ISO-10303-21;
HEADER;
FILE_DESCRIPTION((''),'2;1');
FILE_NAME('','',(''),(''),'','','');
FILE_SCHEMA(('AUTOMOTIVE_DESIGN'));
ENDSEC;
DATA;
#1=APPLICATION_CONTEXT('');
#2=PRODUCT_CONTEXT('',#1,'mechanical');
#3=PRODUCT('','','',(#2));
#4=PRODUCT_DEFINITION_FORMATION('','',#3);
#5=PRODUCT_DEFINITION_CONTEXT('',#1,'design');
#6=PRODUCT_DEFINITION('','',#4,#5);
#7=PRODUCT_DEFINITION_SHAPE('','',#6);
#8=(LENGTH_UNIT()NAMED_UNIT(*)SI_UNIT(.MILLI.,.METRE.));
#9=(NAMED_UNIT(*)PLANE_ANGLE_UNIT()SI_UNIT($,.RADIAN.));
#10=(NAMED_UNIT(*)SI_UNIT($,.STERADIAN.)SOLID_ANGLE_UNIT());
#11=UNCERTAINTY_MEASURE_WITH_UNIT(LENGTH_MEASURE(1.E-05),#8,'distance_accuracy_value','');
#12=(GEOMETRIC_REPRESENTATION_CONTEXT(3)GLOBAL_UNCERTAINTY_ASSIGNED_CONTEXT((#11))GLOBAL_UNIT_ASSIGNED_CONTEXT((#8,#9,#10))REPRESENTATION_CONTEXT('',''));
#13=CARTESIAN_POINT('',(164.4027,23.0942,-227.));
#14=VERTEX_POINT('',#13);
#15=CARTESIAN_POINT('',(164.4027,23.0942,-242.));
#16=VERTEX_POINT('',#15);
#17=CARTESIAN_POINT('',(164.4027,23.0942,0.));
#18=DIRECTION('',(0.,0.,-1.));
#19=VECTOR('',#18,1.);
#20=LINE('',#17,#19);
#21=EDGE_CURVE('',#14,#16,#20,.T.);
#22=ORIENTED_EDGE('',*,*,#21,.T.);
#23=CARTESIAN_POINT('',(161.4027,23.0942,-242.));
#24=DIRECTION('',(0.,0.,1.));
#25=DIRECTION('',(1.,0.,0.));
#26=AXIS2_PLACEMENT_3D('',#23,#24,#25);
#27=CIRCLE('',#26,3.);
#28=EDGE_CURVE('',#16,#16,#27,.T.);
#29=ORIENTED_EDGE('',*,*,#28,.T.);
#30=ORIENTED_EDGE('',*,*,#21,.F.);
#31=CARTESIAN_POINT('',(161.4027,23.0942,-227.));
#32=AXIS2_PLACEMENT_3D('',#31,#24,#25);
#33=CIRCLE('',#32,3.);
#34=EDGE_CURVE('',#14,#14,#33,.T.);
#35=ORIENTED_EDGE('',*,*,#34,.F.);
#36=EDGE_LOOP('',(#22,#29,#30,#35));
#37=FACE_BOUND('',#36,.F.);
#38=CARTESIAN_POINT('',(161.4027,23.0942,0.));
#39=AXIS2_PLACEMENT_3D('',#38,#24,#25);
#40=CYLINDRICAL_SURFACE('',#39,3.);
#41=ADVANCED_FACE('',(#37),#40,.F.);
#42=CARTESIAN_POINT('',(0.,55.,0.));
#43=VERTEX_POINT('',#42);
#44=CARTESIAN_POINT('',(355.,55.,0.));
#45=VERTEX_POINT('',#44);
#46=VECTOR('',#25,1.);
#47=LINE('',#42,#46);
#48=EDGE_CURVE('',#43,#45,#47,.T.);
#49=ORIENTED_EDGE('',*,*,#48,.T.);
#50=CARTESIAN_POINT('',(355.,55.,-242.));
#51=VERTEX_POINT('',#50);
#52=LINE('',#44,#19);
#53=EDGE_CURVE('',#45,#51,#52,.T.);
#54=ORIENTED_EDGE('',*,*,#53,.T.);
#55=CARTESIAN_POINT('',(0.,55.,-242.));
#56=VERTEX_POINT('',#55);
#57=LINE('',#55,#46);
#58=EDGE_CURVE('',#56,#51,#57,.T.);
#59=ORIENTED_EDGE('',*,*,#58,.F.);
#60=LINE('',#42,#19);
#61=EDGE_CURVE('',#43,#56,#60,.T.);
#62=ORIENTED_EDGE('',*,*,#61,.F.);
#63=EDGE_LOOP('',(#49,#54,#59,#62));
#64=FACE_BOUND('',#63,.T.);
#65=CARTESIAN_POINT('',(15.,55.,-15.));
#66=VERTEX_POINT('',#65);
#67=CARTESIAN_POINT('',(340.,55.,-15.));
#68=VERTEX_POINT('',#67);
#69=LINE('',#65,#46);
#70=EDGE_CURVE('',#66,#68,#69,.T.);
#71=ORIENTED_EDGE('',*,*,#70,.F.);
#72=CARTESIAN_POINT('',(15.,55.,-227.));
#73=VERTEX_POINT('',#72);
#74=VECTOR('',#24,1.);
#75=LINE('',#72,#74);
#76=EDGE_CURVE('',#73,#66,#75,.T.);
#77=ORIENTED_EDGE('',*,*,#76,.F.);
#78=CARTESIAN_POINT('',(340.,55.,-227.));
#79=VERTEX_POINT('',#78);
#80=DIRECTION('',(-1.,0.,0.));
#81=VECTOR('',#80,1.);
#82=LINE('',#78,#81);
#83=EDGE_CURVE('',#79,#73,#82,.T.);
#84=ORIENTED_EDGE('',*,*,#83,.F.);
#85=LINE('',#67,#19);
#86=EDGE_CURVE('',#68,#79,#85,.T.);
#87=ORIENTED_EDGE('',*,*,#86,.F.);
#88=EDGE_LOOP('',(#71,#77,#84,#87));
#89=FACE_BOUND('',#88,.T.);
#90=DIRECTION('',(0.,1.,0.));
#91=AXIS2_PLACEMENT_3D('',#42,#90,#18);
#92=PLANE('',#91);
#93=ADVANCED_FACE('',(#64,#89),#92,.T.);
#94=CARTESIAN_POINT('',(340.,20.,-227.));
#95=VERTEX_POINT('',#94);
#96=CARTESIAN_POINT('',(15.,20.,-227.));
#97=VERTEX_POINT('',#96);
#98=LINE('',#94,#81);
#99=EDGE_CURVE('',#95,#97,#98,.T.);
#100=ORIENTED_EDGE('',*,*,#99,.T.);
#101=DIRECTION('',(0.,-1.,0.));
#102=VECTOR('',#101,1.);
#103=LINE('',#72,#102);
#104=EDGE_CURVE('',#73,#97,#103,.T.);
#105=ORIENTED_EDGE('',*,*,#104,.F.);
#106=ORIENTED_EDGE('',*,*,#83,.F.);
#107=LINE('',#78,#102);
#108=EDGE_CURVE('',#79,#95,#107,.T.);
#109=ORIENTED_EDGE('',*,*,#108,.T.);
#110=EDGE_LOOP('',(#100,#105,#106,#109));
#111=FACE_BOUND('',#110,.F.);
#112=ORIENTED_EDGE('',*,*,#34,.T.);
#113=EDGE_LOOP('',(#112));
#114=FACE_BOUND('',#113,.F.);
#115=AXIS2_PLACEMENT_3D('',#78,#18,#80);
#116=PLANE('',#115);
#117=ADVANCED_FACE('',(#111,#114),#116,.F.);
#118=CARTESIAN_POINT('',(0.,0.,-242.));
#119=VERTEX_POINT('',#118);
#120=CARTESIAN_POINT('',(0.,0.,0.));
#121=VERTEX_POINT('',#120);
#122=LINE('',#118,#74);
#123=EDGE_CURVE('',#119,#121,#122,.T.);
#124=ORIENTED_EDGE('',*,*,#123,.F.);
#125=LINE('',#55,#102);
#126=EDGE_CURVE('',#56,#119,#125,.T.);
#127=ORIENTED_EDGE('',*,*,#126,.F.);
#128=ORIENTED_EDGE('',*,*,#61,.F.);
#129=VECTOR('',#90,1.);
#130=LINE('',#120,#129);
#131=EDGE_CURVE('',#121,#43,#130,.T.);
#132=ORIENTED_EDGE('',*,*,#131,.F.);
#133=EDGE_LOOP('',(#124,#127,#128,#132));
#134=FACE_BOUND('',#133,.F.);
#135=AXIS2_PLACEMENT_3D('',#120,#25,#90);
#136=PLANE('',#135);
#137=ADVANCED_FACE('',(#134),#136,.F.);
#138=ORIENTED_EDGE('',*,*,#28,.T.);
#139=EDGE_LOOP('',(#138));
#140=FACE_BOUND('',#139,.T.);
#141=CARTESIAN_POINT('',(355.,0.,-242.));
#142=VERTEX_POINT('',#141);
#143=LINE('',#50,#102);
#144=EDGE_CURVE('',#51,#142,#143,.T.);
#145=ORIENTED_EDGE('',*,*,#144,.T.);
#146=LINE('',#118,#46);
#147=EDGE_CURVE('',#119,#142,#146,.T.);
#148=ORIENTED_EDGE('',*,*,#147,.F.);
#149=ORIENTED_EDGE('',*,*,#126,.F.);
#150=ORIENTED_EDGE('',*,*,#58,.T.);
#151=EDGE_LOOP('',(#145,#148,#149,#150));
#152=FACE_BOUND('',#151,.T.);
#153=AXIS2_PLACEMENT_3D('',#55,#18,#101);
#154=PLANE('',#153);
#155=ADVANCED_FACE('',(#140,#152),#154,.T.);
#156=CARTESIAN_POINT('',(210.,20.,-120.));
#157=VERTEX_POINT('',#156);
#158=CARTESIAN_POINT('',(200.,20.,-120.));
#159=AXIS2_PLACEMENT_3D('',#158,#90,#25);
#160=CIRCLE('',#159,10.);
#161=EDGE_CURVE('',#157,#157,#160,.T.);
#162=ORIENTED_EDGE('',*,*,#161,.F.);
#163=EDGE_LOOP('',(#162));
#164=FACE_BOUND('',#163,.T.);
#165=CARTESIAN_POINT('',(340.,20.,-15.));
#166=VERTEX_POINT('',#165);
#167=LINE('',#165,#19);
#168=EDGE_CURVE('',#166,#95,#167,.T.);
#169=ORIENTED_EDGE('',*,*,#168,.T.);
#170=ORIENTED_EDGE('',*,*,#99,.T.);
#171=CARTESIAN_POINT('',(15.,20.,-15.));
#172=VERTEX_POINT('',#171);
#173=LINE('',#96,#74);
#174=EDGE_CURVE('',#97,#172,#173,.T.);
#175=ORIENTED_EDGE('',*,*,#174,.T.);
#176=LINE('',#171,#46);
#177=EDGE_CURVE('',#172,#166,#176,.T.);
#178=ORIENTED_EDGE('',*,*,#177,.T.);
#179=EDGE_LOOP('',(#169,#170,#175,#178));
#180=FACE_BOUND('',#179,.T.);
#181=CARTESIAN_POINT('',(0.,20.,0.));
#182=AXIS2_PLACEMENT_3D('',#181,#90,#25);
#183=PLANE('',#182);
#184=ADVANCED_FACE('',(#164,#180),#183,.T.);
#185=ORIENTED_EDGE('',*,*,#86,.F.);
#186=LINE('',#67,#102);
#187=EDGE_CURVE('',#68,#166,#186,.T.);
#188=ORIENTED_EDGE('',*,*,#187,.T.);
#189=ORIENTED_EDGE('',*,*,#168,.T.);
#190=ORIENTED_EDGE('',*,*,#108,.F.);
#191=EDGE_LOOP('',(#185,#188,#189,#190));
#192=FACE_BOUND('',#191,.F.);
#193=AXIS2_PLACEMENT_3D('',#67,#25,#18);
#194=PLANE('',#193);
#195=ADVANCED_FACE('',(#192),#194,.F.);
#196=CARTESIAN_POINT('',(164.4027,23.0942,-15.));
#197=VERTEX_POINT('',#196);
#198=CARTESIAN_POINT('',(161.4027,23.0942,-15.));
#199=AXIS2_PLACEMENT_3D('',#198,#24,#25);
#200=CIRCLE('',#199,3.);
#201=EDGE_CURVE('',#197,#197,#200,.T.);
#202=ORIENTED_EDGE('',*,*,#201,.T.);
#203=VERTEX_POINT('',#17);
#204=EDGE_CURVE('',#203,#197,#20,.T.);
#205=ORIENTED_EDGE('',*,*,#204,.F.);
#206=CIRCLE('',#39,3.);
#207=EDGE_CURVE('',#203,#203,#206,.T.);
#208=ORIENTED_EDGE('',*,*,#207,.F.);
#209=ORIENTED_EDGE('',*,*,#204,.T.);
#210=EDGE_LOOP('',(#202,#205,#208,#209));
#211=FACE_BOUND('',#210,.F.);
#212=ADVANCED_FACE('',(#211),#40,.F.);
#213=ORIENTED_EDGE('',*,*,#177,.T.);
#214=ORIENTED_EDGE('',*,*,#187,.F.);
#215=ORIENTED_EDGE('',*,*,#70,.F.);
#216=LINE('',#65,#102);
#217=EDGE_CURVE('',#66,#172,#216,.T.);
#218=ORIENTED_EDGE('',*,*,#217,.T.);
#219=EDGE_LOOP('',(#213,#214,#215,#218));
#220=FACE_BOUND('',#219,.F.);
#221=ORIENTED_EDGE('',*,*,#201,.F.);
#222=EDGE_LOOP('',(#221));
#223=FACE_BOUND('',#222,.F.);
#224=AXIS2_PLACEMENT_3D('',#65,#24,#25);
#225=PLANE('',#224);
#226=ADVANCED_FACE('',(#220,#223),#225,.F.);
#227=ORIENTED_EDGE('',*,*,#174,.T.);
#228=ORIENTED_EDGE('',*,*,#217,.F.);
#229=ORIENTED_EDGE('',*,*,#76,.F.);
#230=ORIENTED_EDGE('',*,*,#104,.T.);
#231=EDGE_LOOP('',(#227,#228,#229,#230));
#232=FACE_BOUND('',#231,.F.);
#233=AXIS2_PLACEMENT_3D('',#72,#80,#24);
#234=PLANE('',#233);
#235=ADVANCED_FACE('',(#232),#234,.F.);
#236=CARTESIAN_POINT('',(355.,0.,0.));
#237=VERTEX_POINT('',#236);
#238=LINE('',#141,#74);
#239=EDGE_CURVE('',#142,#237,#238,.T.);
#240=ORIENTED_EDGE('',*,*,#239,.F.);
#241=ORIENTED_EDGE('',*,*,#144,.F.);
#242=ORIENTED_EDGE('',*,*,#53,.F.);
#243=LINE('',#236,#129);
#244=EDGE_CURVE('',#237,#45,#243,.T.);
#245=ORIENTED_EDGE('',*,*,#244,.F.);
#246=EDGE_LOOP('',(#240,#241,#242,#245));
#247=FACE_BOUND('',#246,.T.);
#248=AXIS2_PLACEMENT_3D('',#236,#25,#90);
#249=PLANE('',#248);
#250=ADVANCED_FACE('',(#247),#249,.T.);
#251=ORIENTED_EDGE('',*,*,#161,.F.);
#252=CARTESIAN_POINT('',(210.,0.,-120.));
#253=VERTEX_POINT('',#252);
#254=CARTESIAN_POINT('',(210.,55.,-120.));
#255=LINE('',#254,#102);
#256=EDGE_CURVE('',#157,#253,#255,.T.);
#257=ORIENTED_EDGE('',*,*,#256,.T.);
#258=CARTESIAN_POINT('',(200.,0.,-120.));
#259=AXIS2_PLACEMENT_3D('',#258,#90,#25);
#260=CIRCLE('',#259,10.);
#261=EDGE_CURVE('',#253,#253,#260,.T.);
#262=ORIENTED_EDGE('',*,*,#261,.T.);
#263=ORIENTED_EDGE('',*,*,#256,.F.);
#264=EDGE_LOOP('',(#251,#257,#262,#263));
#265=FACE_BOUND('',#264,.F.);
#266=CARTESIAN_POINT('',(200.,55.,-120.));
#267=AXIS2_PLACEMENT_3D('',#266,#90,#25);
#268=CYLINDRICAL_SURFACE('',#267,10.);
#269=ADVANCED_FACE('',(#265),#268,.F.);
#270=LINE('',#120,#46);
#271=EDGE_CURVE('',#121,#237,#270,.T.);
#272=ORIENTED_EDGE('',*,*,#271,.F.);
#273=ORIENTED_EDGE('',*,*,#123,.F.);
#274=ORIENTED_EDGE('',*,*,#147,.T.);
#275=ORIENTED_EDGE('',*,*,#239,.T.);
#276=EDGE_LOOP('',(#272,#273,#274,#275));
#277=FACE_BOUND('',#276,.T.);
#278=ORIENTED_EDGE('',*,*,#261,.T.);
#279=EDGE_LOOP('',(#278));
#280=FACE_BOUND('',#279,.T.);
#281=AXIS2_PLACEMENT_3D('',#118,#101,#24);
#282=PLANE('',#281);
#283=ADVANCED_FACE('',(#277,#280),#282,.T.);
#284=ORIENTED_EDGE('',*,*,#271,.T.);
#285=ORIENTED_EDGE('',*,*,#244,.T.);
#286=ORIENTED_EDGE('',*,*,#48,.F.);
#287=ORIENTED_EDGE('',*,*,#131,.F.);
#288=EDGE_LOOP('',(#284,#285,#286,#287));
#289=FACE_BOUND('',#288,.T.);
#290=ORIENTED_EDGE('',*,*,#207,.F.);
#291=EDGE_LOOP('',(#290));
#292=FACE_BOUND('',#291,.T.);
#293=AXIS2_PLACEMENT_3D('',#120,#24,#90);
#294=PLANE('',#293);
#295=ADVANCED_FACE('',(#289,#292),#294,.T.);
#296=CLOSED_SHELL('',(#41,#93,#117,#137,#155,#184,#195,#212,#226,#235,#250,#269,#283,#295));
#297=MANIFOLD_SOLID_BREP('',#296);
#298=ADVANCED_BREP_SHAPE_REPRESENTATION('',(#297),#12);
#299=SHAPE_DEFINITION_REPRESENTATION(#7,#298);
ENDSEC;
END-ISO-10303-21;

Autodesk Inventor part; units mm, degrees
ref_plane "YZ Plane" through (0, 0, 0) normal (1, 0, 0) x (0, 1, 0)
ref_plane "XZ Plane" through (0, 0, 0) normal (0, 1, 0) x (-1, 0, 0)
ref_plane "XY Plane" through (0, 0, 0) normal (0, 0, 1) x (1, 0, 0)
sketch "Sketch1" plane through (0, 0, 0) normal (1, 0, 0) x (0, 1, 0)
  line L0 (0, 0) -> (55, 0)
  line L1 (55, 0) -> (55, -242)
  line L2 (55, -242) -> (0, -242)
  line L3 (0, -242) -> (0, 0)
  dimension "d0" = 55
  dimension "d1" = 242
extrude "Extrusion1" add sketch "Sketch1" along normal blind 355
sketch "Sketch3" plane through (0, 55, 0) normal (0, 1, 0) x (1, 0, 0)
  circle A0 centre (200, 120) radius 10
  point P0 (0, 0)
  point P1 (0, 0)
  dimension "d8" = 20
extrude "Extrusion3" cut sketch "Sketch3" against normal through all
sketch "Sketch4" plane through (0, 55, 0) normal (0, 1, 0) x (1, 0, 0)
  line L0 (15, 15) -> (340, 15)
  line L1 (340, 15) -> (340, 227)
  line L2 (340, 227) -> (15, 227)
  line L3 (15, 227) -> (15, 15)
  line L4 (355, 242) -> (355, 0)
  line L5 (0, 242) -> (355, 242)
  point P0 (0, 0)
  point P1 (0, 0)
  dimension "d11" = 15
  dimension "d12" = 15
extrude "Extrusion4" cut sketch "Sketch4" against normal blind 35
sketch "Sketch5" plane through (0, 0, 0) normal (0, 0, 1) x (1, 0, 0)
  circle A0 centre (161.4027, 23.0942) radius 3
  line L0 (0, 55) -> (0, 0) projected
  line L1 (355, 55) -> (355, 0) projected
  line L2 (0, 0) -> (355, 0) projected
  dimension "d15" = 6
  dimension "d18" = 161.4027
  dimension "d19" = 355
  dimension "d20" = 23.0942
extrude "Extrusion5" cut sketch "Sketch5" against normal through all
ref_plane "Work Plane1" through (0, 0, -121) normal (0, 0, -1) x (-1, 0, 0)
properties part number "basefresh" material "Wood (Cherry)"
